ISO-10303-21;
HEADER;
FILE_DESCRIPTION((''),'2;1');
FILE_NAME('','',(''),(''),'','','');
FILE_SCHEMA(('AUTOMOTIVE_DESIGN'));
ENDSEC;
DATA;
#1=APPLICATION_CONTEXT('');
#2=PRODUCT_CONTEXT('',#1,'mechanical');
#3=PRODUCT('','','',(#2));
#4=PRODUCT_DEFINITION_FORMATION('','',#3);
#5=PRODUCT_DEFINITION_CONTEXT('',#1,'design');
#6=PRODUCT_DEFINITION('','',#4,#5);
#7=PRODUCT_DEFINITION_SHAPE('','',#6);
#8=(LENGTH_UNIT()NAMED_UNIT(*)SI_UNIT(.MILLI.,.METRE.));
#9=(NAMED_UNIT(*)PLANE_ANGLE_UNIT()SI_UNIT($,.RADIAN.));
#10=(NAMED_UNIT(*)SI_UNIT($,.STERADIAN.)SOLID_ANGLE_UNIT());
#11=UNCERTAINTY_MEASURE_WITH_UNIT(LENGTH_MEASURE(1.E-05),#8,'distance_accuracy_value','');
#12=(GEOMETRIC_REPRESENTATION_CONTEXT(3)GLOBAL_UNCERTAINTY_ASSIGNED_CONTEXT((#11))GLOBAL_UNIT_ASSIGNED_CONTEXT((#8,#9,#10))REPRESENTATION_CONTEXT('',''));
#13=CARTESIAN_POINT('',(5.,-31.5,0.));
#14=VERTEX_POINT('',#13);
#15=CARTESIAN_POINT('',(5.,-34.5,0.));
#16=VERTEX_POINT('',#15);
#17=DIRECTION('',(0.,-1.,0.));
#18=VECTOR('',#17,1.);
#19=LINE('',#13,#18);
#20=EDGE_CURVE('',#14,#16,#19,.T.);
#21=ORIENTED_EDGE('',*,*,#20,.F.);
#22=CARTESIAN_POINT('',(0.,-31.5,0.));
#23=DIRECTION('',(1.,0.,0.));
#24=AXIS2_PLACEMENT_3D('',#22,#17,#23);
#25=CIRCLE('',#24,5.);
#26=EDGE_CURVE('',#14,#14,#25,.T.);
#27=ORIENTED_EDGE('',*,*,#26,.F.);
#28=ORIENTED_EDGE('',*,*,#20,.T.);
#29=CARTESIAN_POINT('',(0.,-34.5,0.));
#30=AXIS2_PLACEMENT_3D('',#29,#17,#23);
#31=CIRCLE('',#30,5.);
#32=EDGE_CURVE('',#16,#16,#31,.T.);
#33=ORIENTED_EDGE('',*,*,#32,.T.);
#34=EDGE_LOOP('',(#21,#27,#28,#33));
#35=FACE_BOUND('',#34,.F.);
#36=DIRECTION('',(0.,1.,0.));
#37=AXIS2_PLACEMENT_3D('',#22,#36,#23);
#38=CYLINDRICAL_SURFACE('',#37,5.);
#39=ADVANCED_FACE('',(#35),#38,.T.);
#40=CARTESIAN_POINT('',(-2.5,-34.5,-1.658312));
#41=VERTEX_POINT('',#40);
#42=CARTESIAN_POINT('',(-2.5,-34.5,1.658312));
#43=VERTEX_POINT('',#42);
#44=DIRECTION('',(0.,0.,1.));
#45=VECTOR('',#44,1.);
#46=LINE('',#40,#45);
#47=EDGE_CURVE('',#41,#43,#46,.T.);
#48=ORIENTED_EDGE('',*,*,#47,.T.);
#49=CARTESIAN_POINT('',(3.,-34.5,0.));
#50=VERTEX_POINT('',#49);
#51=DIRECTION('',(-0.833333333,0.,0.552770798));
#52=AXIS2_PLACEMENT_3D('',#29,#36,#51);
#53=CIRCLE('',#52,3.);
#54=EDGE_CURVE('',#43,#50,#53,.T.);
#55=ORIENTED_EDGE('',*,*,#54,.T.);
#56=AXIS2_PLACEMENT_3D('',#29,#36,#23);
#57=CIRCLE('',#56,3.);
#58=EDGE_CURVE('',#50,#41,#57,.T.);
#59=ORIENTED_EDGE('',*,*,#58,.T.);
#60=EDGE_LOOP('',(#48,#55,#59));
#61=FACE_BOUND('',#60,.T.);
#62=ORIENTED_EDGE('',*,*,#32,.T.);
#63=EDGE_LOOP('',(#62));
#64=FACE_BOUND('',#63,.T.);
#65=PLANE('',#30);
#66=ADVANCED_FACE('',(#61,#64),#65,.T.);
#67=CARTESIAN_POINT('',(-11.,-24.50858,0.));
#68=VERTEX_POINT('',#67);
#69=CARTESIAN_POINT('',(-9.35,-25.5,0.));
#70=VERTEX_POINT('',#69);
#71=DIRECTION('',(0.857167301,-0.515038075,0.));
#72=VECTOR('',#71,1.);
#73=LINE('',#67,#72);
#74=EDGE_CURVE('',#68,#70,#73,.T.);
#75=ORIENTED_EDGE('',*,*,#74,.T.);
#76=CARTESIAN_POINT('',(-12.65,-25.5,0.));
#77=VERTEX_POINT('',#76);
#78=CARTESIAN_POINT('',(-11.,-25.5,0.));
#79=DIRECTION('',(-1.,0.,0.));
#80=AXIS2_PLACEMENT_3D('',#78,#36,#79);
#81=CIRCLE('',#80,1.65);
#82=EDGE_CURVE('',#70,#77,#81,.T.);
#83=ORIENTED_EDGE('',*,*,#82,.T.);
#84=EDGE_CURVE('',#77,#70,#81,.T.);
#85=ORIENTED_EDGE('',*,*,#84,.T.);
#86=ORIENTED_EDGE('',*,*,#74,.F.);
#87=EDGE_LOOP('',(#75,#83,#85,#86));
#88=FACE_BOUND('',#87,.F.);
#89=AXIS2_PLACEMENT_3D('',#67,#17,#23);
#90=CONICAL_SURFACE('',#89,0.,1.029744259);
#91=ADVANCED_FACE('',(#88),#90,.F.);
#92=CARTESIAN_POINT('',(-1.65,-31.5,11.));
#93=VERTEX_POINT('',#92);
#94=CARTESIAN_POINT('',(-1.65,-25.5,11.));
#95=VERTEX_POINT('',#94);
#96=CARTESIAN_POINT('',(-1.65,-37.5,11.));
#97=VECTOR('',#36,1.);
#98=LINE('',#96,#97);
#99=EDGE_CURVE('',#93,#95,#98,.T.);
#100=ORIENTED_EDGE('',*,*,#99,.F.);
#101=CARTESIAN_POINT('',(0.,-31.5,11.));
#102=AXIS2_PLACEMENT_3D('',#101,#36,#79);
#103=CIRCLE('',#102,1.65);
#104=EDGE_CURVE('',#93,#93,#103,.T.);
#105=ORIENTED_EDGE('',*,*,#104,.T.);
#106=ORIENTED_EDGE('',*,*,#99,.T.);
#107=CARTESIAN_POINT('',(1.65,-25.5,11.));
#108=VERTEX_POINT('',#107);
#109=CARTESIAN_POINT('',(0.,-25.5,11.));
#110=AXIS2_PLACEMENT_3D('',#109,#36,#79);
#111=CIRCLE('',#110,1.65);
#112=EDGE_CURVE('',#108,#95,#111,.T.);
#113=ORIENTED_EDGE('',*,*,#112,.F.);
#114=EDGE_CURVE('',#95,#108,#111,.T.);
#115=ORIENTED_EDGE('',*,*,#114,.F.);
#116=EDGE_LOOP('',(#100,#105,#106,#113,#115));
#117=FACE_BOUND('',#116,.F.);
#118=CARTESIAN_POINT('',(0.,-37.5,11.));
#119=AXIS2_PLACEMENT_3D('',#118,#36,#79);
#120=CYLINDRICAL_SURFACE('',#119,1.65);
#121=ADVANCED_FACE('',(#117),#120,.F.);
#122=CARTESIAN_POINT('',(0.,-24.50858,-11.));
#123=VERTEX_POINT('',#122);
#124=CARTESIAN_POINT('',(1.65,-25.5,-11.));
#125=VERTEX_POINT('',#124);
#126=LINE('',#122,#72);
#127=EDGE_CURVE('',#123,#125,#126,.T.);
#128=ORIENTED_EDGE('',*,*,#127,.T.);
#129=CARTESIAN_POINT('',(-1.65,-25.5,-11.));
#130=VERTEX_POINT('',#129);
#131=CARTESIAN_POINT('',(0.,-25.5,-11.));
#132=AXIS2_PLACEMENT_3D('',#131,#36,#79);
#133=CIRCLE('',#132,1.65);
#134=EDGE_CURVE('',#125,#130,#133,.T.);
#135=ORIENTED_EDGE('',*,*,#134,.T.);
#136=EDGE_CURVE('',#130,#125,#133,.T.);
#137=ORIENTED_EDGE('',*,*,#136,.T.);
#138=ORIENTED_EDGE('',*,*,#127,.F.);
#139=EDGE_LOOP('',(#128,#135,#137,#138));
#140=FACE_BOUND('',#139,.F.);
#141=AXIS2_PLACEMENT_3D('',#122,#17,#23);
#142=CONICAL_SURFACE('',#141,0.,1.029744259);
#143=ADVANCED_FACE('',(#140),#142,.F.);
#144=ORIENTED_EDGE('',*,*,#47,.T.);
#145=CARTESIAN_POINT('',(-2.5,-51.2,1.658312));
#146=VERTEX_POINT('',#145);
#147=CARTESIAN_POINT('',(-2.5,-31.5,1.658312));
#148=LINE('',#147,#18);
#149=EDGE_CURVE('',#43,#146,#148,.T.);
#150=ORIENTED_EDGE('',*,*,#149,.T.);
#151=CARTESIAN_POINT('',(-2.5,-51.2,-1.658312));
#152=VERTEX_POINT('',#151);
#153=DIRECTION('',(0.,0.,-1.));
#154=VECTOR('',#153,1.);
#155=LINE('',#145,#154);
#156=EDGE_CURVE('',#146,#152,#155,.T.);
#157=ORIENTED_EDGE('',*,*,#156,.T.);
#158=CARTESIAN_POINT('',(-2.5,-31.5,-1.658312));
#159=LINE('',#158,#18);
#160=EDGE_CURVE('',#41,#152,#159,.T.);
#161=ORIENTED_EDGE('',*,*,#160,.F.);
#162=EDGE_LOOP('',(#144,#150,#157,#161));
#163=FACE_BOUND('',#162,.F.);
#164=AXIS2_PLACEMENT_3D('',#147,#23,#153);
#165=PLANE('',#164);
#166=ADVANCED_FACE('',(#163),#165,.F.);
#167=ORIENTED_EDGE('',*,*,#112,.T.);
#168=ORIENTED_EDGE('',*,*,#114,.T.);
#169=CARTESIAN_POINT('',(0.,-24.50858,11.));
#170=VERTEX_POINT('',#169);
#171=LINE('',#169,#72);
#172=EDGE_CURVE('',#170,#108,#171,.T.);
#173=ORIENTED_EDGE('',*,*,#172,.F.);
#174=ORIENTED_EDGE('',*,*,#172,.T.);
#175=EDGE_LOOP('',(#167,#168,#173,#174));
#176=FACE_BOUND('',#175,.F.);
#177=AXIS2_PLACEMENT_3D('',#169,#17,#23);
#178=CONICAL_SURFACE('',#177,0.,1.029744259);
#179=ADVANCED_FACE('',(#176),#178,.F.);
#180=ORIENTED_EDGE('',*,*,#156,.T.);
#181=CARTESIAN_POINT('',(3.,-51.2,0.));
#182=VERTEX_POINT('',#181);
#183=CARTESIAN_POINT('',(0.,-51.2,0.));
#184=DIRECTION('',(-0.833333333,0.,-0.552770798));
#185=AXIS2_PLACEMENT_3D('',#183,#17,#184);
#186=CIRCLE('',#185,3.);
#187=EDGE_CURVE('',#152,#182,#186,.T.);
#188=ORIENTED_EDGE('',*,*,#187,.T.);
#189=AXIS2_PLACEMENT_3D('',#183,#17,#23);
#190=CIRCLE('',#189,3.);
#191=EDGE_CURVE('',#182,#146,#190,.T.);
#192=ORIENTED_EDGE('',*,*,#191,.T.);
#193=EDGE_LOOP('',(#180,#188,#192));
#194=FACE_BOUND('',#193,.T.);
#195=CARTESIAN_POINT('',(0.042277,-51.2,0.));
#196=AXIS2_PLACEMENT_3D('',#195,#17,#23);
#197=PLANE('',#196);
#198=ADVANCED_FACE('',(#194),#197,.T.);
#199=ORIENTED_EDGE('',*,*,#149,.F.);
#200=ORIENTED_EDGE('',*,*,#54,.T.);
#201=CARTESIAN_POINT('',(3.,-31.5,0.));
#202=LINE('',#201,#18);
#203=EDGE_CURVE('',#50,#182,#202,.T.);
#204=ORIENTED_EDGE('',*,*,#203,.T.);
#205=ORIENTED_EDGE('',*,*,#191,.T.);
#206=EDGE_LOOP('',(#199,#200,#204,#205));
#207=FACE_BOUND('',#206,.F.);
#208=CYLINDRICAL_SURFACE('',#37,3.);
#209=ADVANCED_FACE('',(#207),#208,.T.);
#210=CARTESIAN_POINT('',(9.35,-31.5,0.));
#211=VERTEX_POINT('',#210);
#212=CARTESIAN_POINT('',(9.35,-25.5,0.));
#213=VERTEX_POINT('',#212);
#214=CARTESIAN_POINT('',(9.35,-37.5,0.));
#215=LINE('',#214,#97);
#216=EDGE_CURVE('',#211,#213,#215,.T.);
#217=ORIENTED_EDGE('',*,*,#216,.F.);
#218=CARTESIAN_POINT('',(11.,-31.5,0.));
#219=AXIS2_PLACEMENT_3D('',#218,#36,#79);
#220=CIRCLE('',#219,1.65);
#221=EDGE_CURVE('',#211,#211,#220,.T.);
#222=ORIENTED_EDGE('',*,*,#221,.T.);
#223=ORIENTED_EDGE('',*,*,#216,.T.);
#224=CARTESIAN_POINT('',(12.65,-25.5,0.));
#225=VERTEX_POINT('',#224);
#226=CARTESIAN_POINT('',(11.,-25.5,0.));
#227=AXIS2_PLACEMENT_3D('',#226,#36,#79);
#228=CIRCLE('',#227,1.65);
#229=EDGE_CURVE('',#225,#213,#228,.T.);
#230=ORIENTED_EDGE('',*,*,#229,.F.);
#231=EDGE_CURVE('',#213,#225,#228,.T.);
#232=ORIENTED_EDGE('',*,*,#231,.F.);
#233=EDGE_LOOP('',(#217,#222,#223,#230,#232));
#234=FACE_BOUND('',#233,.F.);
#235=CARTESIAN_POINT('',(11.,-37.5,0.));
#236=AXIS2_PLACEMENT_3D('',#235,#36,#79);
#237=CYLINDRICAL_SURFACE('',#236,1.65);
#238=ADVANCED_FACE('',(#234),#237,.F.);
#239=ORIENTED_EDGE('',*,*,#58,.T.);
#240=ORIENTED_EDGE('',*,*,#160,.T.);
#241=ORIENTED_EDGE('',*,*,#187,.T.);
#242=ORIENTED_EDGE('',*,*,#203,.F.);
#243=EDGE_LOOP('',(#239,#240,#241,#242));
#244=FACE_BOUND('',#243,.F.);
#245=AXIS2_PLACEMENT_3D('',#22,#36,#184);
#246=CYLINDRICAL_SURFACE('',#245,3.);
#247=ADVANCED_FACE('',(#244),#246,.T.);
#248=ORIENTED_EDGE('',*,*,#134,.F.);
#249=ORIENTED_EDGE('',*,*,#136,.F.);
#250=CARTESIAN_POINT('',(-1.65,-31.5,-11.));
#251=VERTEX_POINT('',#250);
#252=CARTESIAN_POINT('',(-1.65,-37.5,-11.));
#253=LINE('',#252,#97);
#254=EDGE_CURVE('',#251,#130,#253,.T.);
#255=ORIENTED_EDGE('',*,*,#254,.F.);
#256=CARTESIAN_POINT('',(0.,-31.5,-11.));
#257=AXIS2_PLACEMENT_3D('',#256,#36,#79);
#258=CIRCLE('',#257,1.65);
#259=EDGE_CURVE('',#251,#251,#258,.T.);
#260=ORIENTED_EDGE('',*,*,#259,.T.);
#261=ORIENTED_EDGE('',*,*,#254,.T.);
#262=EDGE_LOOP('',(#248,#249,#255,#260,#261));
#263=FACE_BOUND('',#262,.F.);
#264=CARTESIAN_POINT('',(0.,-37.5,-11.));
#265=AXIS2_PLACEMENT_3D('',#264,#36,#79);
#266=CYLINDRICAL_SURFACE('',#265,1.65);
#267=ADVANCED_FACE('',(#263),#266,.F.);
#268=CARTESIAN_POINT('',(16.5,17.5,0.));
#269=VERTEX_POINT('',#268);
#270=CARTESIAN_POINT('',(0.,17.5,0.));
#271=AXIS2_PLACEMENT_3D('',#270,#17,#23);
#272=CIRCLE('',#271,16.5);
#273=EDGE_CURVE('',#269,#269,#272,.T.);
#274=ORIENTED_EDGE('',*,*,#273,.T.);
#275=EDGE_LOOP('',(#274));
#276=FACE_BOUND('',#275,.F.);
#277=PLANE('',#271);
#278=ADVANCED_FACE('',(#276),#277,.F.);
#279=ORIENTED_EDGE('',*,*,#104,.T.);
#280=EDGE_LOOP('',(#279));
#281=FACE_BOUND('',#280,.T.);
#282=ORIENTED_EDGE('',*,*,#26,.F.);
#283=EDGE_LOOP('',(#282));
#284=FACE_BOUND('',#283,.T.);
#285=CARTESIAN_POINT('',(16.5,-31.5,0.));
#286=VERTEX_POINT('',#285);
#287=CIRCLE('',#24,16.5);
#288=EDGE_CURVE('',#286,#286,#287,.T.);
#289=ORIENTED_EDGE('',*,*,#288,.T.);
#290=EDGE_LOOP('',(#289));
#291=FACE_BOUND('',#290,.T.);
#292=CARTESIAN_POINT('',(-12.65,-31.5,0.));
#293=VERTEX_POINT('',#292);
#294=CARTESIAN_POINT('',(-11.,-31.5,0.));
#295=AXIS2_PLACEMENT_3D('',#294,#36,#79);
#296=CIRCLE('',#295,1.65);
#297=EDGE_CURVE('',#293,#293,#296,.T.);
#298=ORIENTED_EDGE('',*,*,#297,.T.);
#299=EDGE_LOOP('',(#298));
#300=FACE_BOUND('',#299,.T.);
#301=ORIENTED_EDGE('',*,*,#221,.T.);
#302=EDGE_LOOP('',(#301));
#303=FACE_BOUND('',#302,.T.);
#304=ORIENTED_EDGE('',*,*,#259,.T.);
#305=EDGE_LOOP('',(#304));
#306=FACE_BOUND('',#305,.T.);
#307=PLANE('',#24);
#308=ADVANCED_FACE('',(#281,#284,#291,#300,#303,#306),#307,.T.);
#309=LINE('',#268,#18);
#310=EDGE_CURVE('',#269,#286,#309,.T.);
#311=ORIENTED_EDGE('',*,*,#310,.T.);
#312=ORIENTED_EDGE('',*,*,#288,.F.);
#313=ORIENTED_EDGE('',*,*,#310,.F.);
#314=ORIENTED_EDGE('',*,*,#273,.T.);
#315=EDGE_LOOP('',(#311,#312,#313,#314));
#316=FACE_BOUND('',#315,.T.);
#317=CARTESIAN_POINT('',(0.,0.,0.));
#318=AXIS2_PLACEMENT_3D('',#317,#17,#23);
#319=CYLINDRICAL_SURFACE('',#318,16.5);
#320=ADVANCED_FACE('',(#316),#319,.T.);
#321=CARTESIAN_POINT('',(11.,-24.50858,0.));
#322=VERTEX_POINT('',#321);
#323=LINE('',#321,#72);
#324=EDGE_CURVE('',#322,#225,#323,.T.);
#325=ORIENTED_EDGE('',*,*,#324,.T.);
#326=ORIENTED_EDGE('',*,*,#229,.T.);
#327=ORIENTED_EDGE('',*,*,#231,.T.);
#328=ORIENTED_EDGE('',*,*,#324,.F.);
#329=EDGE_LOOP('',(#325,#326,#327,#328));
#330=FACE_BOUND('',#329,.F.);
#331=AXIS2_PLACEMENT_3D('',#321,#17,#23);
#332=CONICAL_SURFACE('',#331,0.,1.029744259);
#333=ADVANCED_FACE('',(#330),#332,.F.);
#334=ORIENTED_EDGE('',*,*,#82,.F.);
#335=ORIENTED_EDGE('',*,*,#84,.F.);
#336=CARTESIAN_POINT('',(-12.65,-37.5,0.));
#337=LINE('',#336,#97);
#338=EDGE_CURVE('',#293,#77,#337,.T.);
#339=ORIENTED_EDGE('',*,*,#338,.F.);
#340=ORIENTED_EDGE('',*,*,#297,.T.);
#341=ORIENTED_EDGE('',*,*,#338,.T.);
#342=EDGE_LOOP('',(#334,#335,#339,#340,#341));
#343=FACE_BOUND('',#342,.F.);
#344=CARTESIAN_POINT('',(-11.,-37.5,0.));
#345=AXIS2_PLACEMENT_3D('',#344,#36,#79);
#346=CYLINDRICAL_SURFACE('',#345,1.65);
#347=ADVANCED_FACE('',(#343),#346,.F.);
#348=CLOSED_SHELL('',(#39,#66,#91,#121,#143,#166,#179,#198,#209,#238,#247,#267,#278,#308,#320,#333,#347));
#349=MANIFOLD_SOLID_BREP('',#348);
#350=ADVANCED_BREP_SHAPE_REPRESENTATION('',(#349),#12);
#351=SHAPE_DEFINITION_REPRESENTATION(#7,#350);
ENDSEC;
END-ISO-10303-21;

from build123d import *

# Parameters (mm, degrees)
F0_R     = 16.5
F1_DEPTH = 31.5
F2_DEPTH = 17.5
F4_DEPTH = 19.7
F3_R     = 5
F5_DEPTH = 3
F6_D     = 3.3
F6_DEPTH = 6
F6_TIP   = 0.9914200214


with BuildPart() as f1:
    # F0 (on Front) → F1 (new body)
    with BuildSketch(Plane.XZ):
        Circle(F0_R)
    extrude(amount=F1_DEPTH)

    # F2 (add): a face of the model
    f2_faces = [f1.faces().sort_by_distance(p)[0] for p in [
        (0, 0, 0),
    ]]
    extrude(f2_faces, amount=F2_DEPTH)

    # F3 (on face) → F4 (join)
    with BuildSketch(Plane.XZ.offset(31.5)):
        with BuildLine():
            ThreePointArc((-2.5, -1.6583123952), (0.8660254038, -2.8722813233), (3, 0))
            ThreePointArc((3, 0), (0.8660254038, 2.8722813233), (-2.5, 1.6583123952))
            Line((-2.5, 1.6583123952), (-2.5, -1.6583123952))
        make_face()
    extrude(amount=F4_DEPTH)

    # F3 (on face) → F5 (join)
    with BuildSketch(Plane.XZ.offset(31.5)):
        Circle(F3_R)
        with BuildLine():
            ThreePointArc((-2.5, 1.6583123952), (0.8660254038, 2.8722813233), (3, 0))
            ThreePointArc((3, 0), (0.8660254038, -2.8722813233), (-2.5, -1.6583123952))
            ThreePointArc((-2.5, -1.6583123952), (-3, 0), (-2.5, 1.6583123952))
        make_face(mode=Mode.SUBTRACT)
        with BuildLine():
            Line((-2.5, -1.6583123952), (-2.5, 1.6583123952))
            ThreePointArc((-2.5, 1.6583123952), (-3, 0), (-2.5, -1.6583123952))
        make_face()
    extrude(amount=F5_DEPTH)

    # F6
    with Locations(Plane.XZ.offset(31.5)):
        with Locations((11, 0), (0, -11), (0, 11), (-11, 0)):
            Hole(F6_D / 2, depth=F6_DEPTH)
            with Locations((0, 0, -(F6_DEPTH + F6_TIP / 2))):  # 118° drill point
                Cone(0, F6_D / 2, F6_TIP, mode=Mode.SUBTRACT)


solid = f1.part
